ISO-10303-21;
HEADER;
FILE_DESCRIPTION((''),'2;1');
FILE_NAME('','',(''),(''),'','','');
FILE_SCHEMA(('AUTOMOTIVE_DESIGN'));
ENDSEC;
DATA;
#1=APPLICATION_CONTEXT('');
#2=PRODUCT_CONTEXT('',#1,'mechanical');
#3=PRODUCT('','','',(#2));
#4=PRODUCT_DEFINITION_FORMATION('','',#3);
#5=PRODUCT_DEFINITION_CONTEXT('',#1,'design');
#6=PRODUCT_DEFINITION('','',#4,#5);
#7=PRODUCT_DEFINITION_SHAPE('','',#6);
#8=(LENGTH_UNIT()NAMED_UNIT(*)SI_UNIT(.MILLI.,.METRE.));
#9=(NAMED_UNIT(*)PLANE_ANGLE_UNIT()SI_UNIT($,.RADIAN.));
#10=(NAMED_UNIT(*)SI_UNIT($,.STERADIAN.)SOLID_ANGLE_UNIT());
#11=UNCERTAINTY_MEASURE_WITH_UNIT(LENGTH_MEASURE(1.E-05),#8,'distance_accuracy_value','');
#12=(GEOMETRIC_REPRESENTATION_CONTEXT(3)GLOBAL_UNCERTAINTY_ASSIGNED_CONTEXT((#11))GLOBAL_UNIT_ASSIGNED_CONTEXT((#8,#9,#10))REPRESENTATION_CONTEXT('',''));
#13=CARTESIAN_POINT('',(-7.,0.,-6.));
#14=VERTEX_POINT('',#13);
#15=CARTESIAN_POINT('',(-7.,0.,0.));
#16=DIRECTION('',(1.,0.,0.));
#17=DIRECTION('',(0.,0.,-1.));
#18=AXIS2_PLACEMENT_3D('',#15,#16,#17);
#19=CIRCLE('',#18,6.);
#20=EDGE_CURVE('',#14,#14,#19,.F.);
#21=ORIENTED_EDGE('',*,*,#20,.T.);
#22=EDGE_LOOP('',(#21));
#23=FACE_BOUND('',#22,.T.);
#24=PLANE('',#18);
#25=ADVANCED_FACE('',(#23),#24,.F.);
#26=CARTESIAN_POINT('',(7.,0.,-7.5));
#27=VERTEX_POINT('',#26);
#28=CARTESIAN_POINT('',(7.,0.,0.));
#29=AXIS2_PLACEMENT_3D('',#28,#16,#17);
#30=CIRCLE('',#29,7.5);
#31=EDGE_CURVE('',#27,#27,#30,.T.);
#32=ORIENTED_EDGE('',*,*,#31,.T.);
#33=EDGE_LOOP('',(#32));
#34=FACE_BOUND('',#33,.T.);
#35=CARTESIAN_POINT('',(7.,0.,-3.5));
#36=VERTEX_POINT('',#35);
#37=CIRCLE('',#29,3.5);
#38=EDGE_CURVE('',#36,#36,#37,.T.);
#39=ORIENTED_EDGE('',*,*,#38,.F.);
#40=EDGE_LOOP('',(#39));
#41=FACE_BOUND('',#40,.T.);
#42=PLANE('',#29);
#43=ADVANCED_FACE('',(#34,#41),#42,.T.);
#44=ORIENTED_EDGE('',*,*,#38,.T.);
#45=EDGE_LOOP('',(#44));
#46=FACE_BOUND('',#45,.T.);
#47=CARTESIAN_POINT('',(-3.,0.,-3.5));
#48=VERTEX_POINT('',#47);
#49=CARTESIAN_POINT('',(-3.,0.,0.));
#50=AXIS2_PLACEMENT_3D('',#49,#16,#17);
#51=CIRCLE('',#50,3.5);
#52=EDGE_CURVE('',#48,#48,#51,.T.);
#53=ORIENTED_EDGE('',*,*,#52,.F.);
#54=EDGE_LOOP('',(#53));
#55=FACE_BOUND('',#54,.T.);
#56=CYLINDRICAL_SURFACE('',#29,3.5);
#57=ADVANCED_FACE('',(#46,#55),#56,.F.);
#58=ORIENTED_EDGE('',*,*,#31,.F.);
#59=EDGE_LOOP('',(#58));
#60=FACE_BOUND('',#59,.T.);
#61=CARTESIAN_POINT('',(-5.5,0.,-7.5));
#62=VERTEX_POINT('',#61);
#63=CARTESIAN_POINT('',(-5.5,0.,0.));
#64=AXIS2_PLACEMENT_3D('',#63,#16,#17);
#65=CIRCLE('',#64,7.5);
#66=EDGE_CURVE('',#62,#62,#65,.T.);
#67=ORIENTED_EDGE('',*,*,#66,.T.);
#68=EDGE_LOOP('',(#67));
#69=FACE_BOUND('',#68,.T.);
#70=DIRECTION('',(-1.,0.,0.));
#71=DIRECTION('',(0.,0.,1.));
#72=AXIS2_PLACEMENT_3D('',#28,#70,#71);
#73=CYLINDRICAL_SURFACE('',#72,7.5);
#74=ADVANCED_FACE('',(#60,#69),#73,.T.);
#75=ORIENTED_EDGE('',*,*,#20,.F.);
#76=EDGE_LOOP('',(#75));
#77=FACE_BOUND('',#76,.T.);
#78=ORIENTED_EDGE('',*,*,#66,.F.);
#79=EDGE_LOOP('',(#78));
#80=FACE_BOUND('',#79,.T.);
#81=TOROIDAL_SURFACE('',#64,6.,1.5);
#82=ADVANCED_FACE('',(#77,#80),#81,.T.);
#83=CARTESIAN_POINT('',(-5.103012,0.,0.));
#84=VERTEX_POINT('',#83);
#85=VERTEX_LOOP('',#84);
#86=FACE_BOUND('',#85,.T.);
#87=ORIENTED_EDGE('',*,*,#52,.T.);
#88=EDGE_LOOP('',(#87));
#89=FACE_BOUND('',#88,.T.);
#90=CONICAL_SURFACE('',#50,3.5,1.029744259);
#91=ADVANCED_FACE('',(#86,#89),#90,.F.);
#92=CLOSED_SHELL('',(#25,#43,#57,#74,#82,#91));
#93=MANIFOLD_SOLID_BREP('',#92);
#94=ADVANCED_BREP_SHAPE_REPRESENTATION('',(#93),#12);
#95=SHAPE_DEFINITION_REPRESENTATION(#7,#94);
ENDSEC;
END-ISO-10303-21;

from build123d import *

# Parameters (mm, degrees)
SKETCH1_R                 = 7.5
BOSS_EXTRUDE1_DEPTH       = 7
M8X1_0_TAPPED_HOLE1_D     = 7
M8X1_0_TAPPED_HOLE1_DEPTH = 10
M8X1_0_TAPPED_HOLE1_TIP   = 2.103012167
FILLET1_R                 = 1.5


with BuildPart() as part:
    # Sketch1 → Boss-Extrude1 (new, symmetric)
    with BuildSketch(Plane(origin=(0, 0, 0), x_dir=(0, 0, -1), z_dir=(1, 0, 0))):
        Circle(SKETCH1_R)
    extrude(amount=BOSS_EXTRUDE1_DEPTH, both=True)

    # M8x1.0 Tapped Hole1
    with Locations(Plane(origin=(7, 0, 0), x_dir=(0, 0, -1), z_dir=(1, 0, 0))):
        with Locations((0, 0)):
            Hole(M8X1_0_TAPPED_HOLE1_D / 2, depth=M8X1_0_TAPPED_HOLE1_DEPTH)
            with Locations((0, 0, -(M8X1_0_TAPPED_HOLE1_DEPTH + M8X1_0_TAPPED_HOLE1_TIP / 2))):  # 118° drill point
                Cone(0, M8X1_0_TAPPED_HOLE1_D / 2, M8X1_0_TAPPED_HOLE1_TIP, mode=Mode.SUBTRACT)

    # Fillet1
    fillet1_edges = [part.edges().sort_by_distance(p)[0] for p in [
        (-7, 0, 7.5),
    ]]
    fillet(fillet1_edges, radius=FILLET1_R)


solid = part.part
